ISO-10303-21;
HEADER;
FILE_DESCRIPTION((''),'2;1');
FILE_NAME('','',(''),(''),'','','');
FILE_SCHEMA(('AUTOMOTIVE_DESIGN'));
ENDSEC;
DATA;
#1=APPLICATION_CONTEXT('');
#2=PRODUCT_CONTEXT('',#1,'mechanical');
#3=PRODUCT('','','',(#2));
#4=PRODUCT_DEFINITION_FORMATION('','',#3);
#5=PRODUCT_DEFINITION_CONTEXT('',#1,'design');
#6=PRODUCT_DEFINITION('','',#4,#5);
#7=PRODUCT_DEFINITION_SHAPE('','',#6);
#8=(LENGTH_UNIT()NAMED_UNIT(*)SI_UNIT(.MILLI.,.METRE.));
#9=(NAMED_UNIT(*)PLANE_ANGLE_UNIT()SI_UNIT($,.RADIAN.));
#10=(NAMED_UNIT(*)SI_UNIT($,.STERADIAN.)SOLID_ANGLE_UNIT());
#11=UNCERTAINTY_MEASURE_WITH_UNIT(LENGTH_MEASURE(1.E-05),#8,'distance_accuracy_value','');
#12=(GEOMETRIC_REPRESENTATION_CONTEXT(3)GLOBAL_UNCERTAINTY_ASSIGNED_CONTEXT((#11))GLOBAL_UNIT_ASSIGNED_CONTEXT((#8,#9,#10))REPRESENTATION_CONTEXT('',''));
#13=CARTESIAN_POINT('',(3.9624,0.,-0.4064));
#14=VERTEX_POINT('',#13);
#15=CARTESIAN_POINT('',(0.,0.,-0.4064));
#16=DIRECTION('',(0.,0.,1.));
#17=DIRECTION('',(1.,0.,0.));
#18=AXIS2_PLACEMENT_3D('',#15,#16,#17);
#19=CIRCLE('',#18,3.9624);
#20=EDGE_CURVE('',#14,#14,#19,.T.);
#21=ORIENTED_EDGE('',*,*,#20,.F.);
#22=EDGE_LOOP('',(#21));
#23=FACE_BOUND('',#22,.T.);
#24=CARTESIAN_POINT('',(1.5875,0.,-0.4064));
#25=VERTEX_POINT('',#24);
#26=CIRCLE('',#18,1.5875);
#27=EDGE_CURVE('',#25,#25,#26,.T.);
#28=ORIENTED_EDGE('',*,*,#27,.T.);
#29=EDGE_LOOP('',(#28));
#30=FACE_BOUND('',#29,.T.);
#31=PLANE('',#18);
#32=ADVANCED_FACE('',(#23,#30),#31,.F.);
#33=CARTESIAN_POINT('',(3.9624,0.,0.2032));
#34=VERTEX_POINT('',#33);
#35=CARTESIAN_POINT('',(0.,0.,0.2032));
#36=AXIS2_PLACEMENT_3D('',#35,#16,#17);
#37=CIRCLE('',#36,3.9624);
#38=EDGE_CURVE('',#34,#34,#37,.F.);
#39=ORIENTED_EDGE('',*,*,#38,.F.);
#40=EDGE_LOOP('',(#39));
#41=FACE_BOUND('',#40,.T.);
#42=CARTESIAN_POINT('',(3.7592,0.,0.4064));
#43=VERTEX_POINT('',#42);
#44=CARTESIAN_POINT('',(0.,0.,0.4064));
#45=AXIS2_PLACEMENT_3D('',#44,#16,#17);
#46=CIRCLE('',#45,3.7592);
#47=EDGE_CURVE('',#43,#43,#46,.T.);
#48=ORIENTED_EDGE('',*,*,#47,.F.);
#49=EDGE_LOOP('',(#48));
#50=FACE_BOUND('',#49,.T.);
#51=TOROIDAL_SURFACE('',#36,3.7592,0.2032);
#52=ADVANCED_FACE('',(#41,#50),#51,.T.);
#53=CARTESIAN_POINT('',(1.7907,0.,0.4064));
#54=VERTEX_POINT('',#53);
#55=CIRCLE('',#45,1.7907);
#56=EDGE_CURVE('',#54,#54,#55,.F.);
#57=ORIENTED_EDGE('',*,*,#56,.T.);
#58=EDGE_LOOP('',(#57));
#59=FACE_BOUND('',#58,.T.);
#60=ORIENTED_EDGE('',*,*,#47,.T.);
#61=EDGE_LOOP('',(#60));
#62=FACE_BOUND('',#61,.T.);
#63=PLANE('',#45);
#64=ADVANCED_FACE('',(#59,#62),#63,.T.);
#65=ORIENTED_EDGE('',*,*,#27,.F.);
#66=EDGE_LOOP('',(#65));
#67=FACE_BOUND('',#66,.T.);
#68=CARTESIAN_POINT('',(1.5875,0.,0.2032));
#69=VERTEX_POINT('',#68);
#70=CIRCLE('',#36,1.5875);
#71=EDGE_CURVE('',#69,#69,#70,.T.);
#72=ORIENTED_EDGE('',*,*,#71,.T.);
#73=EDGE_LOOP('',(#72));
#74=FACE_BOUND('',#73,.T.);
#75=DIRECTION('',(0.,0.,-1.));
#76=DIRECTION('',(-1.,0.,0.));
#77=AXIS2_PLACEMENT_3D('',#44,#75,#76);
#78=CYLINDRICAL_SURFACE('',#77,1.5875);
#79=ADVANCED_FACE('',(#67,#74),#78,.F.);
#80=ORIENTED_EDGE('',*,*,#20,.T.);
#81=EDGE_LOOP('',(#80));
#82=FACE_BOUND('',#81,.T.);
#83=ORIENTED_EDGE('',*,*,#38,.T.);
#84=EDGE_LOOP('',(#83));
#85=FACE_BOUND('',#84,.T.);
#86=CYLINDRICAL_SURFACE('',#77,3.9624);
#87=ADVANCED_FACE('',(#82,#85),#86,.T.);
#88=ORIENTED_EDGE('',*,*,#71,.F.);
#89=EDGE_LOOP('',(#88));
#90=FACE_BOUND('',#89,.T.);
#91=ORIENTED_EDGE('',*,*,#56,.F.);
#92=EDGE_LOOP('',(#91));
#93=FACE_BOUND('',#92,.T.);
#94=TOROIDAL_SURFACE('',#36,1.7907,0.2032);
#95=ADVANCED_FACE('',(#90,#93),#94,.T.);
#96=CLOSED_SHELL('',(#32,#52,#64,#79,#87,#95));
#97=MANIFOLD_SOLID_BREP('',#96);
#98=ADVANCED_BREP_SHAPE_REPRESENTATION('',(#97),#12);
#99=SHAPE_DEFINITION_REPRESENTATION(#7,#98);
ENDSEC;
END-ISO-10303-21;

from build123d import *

# Parameters (mm, degrees)
SKETCH3_R                = 3.9624
SKETCH3_R_2              = 1.5875
BOSS_EXTRUDE1_DEPTH      = 0.4064
BOSS_EXTRUDE1_DEPTH_BACK = 0.4064
FILLET1_R                = 0.2032


with BuildPart() as part:
    # Sketch3 → Boss-Extrude1 (new body, two sides)
    with BuildSketch(Plane.XY) as boss_extrude1_sk:
        Circle(SKETCH3_R)
        Circle(SKETCH3_R_2, mode=Mode.SUBTRACT)
    extrude(amount=BOSS_EXTRUDE1_DEPTH)
    extrude(boss_extrude1_sk.sketch, amount=-BOSS_EXTRUDE1_DEPTH_BACK)

    # Fillet1
    fillet1_edges = [part.edges().sort_by_distance(p)[0] for p in [
        (-3.9624, 0, 0.4064),
        (-1.5875, 0, 0.4064),
    ]]
    fillet(fillet1_edges, radius=FILLET1_R)


solid = part.part
